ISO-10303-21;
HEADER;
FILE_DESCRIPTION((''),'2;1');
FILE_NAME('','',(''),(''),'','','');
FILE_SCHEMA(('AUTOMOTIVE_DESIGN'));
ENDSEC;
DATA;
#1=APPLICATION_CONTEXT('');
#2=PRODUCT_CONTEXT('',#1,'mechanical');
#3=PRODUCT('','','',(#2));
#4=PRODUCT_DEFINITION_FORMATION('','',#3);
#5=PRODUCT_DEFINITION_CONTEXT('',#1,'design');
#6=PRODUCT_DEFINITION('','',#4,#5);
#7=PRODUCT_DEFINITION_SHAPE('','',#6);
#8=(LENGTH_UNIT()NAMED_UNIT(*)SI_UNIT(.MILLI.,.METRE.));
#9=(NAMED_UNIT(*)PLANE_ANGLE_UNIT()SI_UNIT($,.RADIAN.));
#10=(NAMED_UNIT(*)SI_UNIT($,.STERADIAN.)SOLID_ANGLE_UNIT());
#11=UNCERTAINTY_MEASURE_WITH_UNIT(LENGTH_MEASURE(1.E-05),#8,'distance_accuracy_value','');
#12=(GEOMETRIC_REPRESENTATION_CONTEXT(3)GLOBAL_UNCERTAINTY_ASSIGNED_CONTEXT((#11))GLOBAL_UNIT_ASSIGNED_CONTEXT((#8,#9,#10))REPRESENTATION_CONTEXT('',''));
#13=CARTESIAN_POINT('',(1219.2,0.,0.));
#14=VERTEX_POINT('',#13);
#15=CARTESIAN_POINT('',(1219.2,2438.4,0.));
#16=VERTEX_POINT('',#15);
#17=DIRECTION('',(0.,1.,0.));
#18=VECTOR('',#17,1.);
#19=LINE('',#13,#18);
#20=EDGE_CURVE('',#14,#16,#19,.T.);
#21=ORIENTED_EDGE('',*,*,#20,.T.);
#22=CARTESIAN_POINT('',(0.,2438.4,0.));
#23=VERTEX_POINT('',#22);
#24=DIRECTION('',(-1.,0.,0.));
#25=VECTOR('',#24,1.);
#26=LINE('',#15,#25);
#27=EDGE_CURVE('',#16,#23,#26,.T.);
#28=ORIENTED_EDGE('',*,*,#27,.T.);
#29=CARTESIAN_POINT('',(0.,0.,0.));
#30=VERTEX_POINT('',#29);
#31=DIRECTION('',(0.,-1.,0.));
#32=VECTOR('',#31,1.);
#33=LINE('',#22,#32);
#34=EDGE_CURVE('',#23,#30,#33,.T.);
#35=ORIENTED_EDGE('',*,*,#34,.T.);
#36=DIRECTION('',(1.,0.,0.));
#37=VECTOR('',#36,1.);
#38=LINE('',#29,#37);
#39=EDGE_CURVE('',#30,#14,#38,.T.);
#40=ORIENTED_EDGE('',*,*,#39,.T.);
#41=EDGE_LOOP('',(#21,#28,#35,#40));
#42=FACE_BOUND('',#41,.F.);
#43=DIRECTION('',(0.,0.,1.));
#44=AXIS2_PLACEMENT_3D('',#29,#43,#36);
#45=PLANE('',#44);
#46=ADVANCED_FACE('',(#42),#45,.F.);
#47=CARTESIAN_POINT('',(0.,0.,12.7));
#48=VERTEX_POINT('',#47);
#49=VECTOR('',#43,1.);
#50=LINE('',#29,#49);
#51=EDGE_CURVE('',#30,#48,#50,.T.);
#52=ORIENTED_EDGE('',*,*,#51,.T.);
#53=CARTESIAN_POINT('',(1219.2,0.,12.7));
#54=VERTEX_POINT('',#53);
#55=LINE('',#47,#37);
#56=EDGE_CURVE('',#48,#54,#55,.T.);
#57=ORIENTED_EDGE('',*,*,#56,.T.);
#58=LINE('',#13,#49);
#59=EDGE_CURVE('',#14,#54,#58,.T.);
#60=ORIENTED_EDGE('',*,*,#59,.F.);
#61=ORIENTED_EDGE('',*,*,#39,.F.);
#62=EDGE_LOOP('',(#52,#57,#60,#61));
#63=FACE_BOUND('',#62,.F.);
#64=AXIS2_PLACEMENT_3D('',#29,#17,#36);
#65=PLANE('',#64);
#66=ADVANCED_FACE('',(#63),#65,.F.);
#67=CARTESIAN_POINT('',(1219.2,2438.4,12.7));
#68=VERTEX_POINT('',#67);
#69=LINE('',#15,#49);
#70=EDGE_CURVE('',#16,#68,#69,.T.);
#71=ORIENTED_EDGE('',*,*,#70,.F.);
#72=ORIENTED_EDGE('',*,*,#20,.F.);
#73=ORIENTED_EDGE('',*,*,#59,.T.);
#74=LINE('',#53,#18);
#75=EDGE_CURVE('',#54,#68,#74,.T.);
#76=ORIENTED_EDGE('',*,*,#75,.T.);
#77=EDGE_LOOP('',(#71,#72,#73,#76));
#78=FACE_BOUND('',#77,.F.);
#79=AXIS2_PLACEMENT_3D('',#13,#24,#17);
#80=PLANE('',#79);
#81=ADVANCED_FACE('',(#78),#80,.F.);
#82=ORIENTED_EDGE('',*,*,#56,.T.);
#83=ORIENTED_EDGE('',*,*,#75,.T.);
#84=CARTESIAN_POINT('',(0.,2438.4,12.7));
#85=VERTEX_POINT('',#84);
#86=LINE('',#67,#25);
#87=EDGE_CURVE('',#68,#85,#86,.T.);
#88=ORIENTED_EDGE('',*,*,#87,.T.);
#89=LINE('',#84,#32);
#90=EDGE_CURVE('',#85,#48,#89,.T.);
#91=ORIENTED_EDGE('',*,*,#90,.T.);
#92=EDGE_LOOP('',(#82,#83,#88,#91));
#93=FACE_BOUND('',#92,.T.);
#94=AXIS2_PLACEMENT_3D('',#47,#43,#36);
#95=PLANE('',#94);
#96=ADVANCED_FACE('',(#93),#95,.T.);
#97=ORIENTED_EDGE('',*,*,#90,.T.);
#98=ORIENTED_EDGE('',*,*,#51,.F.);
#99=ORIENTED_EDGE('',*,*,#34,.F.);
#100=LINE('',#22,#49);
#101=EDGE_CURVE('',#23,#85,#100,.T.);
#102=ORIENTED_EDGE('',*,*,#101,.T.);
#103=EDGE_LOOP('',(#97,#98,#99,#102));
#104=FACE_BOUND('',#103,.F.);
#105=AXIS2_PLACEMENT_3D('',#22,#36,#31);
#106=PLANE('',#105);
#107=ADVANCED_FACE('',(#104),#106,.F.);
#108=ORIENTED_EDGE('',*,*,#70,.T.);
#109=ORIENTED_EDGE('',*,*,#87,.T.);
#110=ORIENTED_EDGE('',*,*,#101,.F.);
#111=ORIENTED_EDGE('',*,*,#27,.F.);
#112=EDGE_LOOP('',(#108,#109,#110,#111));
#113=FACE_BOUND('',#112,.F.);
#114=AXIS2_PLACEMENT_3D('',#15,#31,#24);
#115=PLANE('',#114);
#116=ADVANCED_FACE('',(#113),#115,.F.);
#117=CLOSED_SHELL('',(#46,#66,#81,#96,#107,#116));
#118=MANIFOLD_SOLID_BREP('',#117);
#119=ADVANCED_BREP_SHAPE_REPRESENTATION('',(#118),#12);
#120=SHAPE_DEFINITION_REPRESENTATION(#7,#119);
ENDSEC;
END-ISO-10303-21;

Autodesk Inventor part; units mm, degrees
ref_plane "YZ Plane" through (0, 0, 0) normal (1, 0, 0) x (0, 1, 0)
ref_plane "XZ Plane" through (0, 0, 0) normal (0, 1, 0) x (-1, 0, 0)
ref_plane "XY Plane" through (0, 0, 0) normal (0, 0, 1) x (1, 0, 0)
sketch "Sketch1" plane through (0, 0, 0) normal (0, 0, 1) x (1, 0, 0)
  line L0 (0, 0) -> (1219.2, 0)
  line L1 (1219.2, 0) -> (1219.2, 2438.4)
  line L2 (1219.2, 2438.4) -> (0, 2438.4)
  line L3 (0, 2438.4) -> (0, 0)
  dimension "d2" = 2438.4
  dimension "d3" = 1219.2
extrude "Extrusion1" add sketch "Sketch1" along normal blind 12.7
properties part number "Sheathing" material "Wood (Birch)"
